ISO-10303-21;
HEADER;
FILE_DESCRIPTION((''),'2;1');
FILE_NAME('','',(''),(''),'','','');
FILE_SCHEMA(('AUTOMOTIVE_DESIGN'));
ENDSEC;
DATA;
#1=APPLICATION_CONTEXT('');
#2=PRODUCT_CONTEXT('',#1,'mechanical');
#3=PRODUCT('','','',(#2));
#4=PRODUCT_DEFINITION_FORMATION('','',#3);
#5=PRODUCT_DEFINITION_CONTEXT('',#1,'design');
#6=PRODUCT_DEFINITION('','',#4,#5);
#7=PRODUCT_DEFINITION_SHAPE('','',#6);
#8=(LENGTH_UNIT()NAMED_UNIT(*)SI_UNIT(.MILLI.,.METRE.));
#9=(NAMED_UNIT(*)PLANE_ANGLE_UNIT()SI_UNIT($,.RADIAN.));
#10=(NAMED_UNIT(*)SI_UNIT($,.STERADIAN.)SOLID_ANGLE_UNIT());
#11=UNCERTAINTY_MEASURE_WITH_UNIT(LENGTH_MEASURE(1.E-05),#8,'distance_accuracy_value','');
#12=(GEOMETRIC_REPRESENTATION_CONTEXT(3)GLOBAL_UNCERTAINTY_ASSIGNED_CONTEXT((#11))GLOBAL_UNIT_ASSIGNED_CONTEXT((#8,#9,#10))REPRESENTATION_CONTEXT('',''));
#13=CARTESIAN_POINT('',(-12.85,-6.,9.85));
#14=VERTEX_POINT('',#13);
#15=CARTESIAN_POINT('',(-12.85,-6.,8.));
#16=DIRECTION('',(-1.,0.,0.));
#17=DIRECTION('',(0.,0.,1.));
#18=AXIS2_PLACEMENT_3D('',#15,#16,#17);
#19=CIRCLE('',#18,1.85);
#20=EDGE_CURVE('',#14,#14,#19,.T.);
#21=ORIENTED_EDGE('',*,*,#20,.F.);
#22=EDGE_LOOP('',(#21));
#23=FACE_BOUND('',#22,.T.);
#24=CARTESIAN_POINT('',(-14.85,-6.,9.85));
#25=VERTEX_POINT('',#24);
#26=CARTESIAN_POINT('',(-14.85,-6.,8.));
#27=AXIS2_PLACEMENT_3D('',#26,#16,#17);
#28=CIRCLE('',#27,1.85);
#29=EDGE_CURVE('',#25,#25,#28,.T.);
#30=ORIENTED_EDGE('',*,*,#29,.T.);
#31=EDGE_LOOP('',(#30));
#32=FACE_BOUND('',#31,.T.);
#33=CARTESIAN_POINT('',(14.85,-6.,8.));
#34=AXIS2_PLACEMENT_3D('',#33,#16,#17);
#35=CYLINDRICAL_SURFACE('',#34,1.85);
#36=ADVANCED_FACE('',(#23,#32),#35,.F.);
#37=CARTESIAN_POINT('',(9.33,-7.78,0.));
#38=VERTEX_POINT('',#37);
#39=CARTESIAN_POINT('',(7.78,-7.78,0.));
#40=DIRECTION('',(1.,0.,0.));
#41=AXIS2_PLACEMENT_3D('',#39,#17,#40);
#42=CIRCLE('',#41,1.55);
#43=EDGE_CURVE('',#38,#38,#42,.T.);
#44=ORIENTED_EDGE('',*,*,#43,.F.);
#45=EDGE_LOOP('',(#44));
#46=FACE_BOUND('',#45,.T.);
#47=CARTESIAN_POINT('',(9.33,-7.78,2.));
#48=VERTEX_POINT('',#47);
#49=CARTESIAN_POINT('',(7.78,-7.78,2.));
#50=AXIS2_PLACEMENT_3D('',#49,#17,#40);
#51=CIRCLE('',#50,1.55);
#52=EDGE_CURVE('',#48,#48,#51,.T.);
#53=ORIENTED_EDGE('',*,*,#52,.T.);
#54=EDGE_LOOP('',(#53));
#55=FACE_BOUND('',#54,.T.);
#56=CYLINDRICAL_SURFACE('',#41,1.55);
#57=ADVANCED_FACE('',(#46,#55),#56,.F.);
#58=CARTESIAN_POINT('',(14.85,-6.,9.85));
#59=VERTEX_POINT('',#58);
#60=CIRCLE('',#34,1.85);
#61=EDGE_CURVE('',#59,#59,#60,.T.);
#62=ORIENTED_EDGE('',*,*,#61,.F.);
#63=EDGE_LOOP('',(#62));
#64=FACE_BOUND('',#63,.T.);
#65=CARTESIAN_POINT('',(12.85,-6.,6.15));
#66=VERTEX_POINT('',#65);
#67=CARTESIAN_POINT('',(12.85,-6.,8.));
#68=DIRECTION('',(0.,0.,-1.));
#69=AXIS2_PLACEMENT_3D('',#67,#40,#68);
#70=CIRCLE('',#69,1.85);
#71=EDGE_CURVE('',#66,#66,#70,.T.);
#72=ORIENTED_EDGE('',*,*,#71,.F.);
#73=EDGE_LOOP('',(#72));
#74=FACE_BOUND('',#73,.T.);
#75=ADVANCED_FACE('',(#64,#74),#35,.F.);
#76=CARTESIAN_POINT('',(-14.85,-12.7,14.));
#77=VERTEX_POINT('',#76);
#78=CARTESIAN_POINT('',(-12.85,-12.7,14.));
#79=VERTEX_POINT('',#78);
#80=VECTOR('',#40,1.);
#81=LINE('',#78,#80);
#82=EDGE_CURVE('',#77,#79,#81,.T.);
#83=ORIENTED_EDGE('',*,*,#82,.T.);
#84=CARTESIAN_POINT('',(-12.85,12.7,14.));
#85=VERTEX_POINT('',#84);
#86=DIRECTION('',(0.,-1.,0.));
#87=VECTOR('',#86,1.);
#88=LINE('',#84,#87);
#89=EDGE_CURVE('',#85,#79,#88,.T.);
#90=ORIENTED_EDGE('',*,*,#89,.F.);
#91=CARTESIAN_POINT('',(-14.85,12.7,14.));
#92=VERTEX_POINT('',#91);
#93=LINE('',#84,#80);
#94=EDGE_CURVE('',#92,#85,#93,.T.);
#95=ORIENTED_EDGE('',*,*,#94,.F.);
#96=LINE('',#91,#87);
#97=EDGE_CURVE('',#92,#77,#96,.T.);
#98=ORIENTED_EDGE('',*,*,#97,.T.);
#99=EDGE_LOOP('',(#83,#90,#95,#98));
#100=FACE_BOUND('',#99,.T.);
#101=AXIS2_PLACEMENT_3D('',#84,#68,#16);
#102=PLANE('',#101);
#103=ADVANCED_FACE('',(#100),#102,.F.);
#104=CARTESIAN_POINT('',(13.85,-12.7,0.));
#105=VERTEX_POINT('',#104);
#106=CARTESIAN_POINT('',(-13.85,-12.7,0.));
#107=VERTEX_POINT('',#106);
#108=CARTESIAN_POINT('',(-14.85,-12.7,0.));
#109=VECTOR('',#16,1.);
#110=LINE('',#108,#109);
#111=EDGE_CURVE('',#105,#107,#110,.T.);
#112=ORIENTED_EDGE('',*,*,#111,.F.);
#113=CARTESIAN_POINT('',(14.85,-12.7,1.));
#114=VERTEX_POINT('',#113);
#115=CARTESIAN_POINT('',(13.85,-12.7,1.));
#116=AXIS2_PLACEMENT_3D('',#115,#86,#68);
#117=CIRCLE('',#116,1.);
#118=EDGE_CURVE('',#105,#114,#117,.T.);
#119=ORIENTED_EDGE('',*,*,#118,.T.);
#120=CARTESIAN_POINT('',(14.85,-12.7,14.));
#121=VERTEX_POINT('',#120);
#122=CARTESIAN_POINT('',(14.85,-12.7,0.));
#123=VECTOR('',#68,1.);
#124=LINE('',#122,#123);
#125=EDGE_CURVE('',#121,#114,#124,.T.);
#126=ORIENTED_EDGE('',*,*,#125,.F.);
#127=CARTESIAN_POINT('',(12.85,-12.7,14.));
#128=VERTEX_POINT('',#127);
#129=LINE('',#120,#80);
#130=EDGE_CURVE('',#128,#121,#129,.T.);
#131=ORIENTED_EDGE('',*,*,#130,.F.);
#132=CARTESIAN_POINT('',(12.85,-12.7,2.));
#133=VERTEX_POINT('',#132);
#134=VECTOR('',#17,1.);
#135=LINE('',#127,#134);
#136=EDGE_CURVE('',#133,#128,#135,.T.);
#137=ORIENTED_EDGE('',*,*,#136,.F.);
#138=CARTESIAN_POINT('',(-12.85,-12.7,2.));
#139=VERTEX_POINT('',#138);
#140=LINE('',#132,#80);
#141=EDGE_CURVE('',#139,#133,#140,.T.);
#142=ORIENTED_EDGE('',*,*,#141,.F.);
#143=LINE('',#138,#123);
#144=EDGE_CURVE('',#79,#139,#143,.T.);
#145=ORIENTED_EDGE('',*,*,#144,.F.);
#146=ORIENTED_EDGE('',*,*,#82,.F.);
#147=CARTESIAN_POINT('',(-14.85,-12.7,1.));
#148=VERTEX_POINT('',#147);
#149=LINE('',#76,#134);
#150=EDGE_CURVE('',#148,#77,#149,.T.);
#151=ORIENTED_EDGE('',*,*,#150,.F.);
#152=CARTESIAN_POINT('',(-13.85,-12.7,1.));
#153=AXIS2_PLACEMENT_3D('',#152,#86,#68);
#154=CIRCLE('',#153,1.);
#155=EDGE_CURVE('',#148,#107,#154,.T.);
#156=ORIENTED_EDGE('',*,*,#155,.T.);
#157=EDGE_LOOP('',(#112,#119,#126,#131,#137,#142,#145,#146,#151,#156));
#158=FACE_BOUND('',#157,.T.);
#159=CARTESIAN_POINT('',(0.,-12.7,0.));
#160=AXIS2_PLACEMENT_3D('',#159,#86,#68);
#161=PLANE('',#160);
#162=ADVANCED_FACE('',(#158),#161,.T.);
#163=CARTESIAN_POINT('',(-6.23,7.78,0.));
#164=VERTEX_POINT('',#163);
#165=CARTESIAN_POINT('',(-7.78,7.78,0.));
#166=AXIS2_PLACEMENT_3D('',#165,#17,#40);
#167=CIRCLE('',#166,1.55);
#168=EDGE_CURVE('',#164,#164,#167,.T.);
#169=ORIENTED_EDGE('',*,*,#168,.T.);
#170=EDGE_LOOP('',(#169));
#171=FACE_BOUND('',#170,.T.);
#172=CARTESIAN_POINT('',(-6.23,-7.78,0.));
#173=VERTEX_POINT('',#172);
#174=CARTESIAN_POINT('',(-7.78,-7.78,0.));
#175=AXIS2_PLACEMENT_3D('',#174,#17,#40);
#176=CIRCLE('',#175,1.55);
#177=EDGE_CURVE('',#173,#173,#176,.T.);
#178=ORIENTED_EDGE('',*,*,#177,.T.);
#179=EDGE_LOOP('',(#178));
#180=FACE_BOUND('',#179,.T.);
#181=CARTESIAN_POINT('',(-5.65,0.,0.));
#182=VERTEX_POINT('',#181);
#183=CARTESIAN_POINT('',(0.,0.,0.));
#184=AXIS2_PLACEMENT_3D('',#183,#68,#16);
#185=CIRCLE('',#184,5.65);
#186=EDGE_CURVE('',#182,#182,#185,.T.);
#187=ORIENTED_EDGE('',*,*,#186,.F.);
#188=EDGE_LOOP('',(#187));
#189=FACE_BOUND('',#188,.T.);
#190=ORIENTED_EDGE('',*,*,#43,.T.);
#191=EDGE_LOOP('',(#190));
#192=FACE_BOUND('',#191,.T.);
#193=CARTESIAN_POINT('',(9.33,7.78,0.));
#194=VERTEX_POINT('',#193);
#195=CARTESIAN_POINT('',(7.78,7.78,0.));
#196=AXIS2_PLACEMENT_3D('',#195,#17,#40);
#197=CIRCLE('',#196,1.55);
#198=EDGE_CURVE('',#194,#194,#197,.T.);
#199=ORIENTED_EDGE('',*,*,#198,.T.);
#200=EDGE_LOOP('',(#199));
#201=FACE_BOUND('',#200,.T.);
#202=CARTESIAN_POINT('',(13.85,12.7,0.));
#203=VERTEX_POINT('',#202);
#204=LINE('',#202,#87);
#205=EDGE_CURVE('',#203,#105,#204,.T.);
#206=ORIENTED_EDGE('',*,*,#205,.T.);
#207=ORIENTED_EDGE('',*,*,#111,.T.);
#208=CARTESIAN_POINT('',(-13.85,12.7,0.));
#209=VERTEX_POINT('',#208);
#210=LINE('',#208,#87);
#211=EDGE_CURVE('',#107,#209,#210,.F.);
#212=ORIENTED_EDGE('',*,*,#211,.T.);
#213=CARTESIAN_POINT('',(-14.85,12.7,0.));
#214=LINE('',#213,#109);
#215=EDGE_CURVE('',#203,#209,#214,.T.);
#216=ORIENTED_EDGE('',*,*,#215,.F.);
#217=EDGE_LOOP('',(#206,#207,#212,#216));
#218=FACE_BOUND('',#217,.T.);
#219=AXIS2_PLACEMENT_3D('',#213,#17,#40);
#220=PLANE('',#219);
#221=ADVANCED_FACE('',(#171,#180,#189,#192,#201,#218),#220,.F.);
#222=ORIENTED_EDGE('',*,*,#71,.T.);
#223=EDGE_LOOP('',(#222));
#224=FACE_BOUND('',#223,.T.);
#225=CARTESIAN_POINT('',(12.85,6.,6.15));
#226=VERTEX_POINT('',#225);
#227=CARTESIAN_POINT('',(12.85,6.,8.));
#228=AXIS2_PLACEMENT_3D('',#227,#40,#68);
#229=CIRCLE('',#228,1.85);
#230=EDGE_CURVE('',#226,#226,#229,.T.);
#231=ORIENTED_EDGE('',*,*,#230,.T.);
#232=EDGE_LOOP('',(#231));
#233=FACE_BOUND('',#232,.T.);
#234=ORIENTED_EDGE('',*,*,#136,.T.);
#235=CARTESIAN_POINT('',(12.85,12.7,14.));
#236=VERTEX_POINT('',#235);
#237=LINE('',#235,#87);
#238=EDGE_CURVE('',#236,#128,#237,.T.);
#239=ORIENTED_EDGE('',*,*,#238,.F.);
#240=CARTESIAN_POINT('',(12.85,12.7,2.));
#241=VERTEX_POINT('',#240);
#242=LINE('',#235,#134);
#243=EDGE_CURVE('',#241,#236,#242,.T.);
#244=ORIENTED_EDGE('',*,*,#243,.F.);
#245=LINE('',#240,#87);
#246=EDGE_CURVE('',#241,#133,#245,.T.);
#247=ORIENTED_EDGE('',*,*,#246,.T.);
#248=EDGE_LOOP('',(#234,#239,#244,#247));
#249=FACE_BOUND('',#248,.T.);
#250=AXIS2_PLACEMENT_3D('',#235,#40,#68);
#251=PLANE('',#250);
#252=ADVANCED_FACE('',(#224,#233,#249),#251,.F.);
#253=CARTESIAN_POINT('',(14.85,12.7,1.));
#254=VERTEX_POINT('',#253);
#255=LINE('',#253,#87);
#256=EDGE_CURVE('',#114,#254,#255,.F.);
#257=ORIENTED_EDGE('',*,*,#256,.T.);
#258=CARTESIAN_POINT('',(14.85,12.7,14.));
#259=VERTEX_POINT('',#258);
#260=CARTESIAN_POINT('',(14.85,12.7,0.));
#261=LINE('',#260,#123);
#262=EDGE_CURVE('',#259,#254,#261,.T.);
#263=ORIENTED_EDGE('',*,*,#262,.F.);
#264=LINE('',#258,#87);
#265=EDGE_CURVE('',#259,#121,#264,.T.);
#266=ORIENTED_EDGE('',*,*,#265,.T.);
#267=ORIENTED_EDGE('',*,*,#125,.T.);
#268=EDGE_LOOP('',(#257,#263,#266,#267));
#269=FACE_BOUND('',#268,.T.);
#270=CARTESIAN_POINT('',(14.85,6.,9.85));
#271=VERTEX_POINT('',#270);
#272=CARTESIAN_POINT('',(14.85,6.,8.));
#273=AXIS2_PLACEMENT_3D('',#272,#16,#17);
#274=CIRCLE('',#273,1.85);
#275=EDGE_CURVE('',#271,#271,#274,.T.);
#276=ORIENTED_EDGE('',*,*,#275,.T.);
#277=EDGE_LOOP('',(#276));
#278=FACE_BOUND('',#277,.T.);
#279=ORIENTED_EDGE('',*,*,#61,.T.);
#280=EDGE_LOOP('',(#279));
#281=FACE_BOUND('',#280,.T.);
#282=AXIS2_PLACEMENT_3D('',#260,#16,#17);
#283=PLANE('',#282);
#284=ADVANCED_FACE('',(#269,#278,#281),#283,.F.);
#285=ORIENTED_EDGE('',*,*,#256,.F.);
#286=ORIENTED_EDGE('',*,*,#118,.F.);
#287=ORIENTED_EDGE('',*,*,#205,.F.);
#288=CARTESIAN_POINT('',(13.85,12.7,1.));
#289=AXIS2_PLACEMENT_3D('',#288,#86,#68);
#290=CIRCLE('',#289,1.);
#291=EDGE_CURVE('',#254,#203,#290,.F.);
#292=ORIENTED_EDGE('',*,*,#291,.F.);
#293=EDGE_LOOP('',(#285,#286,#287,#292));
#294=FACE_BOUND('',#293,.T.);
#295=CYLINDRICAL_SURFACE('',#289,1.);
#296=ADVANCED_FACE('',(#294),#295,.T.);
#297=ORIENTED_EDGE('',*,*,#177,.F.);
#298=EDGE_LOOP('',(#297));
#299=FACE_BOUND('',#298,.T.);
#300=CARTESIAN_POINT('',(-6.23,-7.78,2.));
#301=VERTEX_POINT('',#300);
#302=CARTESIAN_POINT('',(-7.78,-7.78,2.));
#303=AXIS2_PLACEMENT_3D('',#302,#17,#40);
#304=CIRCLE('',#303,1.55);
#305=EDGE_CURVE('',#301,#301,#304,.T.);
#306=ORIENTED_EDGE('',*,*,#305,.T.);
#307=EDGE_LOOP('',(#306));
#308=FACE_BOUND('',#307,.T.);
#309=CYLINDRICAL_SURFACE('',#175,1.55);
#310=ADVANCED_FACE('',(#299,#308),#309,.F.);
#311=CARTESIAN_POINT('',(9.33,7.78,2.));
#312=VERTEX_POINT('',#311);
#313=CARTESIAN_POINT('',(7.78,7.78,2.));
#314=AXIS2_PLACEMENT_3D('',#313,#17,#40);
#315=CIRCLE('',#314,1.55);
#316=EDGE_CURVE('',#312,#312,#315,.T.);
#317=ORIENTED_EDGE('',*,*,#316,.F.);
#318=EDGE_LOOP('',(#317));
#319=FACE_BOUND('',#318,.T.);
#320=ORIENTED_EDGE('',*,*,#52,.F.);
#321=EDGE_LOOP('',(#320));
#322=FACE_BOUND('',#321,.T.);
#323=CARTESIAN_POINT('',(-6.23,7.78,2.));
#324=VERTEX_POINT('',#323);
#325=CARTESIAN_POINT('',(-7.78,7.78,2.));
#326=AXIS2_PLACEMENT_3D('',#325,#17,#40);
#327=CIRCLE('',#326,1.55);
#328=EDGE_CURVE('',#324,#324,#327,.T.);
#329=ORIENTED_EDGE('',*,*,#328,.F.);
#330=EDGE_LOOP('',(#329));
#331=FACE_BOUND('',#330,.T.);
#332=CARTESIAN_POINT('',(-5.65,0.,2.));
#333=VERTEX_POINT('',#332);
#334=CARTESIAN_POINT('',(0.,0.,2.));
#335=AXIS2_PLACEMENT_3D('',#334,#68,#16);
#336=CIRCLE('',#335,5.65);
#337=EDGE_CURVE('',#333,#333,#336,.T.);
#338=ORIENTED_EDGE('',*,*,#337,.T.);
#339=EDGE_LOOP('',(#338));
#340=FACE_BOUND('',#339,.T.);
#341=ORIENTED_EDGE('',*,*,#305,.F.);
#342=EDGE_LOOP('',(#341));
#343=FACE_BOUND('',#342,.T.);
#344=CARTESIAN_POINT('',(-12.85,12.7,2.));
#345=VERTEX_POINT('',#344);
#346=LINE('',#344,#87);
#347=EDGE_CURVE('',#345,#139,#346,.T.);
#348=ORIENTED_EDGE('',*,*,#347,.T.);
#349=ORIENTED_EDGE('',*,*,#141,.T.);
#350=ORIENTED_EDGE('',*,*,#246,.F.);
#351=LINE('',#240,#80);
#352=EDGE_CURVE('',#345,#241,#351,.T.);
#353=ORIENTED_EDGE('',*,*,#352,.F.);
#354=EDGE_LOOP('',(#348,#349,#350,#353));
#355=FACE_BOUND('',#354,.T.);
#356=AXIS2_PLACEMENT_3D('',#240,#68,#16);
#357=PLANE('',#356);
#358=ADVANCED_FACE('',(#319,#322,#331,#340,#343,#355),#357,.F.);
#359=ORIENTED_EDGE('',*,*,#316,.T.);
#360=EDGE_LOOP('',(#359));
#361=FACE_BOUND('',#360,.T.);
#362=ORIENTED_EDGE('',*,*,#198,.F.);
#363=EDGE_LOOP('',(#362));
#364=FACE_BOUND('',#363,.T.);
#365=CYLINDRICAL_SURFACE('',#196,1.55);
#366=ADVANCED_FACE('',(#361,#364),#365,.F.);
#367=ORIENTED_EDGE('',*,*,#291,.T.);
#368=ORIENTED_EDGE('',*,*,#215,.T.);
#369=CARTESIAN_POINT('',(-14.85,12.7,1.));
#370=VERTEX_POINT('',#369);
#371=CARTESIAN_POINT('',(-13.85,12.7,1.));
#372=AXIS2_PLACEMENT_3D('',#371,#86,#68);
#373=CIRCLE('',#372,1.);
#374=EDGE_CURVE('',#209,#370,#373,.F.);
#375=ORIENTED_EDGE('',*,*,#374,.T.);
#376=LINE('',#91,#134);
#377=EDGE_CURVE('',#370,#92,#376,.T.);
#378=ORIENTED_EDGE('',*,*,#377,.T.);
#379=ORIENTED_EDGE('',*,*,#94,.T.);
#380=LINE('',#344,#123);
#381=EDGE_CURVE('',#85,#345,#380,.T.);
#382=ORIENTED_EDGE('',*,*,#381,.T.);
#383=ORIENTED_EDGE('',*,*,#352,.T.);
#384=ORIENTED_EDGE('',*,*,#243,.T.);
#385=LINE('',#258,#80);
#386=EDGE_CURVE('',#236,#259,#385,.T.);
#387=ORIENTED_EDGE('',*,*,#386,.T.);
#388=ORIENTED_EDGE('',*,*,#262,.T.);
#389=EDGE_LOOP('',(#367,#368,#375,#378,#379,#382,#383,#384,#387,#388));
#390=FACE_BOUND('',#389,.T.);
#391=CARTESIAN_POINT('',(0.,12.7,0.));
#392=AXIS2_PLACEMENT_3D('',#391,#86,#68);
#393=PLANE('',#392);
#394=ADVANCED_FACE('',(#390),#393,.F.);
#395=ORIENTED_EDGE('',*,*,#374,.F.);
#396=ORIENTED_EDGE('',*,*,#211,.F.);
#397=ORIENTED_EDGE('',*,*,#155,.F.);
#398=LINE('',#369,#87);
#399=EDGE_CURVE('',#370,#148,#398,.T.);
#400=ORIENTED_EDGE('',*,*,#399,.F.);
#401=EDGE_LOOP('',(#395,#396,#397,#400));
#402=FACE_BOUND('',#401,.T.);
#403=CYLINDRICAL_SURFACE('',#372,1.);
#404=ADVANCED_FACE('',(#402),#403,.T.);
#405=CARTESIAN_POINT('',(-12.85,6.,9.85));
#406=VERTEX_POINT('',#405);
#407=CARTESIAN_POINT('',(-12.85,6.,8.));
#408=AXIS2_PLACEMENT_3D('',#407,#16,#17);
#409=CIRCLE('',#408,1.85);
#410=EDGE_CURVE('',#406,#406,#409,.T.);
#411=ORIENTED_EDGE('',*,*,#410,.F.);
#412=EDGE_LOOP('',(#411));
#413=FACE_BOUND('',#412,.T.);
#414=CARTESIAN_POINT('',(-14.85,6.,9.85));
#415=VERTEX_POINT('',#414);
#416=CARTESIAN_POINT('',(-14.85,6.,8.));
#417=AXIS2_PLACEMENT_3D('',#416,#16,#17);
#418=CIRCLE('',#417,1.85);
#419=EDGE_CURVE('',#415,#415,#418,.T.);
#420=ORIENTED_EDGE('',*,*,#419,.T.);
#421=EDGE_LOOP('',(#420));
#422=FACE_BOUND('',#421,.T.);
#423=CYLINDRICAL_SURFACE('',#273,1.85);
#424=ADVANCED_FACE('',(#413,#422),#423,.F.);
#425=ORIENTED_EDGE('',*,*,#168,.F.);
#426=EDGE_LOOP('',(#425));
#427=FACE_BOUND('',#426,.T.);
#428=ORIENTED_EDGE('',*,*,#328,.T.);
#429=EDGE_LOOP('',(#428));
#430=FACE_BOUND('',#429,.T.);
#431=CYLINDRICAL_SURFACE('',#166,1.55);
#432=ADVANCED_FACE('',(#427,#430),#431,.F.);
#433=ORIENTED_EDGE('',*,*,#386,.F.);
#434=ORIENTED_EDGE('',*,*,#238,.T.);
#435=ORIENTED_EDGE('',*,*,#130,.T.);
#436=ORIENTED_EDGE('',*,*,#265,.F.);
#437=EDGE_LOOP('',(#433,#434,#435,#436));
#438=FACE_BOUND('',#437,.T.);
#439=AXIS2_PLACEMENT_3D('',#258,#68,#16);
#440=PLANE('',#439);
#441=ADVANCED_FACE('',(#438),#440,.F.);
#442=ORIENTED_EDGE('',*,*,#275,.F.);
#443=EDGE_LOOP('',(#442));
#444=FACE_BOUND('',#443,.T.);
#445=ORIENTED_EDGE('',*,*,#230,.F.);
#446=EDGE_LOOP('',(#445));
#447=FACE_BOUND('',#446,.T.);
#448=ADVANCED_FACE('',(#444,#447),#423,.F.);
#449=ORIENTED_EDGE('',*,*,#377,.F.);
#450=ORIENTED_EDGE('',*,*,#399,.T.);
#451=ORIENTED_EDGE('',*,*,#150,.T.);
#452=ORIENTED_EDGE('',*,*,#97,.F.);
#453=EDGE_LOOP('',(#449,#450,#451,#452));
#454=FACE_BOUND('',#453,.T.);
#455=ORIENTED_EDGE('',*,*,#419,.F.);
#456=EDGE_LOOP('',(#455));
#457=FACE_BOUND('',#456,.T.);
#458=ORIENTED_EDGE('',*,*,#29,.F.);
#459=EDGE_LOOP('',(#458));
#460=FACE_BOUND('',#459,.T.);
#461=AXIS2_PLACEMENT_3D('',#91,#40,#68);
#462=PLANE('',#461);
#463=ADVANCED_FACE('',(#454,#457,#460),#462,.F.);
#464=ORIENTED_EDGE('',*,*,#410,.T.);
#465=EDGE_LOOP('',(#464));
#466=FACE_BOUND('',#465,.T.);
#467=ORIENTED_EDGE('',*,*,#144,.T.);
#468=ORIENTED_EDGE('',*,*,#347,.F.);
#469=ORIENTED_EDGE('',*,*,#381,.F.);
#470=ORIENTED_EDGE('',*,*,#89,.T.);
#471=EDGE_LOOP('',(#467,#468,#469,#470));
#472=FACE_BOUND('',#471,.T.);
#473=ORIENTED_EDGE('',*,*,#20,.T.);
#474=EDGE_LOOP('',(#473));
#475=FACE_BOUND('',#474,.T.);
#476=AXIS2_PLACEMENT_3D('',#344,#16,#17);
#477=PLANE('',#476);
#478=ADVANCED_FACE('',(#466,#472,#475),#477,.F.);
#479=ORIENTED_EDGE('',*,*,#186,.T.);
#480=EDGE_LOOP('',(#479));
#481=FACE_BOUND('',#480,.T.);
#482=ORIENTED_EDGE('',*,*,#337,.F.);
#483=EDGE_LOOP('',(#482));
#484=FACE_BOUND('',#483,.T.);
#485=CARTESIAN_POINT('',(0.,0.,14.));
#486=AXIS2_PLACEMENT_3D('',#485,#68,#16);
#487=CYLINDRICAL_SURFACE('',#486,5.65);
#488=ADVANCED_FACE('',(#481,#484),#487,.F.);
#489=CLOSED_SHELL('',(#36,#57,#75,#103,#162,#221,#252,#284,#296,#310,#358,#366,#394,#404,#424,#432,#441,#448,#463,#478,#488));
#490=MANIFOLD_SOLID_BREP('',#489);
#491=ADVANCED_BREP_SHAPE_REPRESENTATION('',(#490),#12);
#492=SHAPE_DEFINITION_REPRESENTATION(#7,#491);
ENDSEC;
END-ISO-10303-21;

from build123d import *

# Parameters (mm, degrees)
BOSS_EXTRUDE1_DEPTH = 12.7
SKETCH2_R           = 1.85
CUT_EXTRUDE1_DEPTH  = 30.7
SKETCH3_R           = 5.65
CUT_EXTRUDE2_DEPTH  = 15
SKETCH4_R           = 1.55
CUT_EXTRUDE3_DEPTH  = 3
FILLET1_R           = 1


with BuildPart() as part:
    # Sketch1 → Boss-Extrude1 (new body, symmetric)
    with BuildSketch(Plane(origin=(0, 0, 0), x_dir=(1, 0, 0), z_dir=(0, 1, 0))):
        Polygon((-14.85, 0), (14.85, 0), (14.85, -14), (12.85, -14), (12.85, -2), (-12.85, -2), (-12.85, -14), (-14.85, -14), align=None)
    extrude(amount=BOSS_EXTRUDE1_DEPTH, both=True)

    # Sketch2 → Cut-Extrude1 (cut, through all)
    with BuildSketch(Plane.ZY.offset(14.85)):
        with Locations((8, -6)):
            Circle(SKETCH2_R)
        with Locations((8, 6)):
            Circle(SKETCH2_R)
    extrude(amount=-CUT_EXTRUDE1_DEPTH, mode=Mode.SUBTRACT)

    # Sketch3 → Cut-Extrude2 (cut, through all)
    with BuildSketch(Plane(origin=(0, 0, 0), x_dir=(-1, 0, 0), z_dir=(0, 0, -1))):
        Circle(SKETCH3_R)
    extrude(amount=-CUT_EXTRUDE2_DEPTH, mode=Mode.SUBTRACT)

    # Sketch4 → Cut-Extrude3 (cut, through all)
    with BuildSketch(Plane.XY.offset(2)):
        with Locations((-7.78, 7.78)):
            Circle(SKETCH4_R)
        with Locations((-7.78, -7.78)):
            Circle(SKETCH4_R)
        with Locations((7.78, -7.78)):
            Circle(SKETCH4_R)
        with Locations((7.78, 7.78)):
            Circle(SKETCH4_R)
    extrude(amount=-CUT_EXTRUDE3_DEPTH, mode=Mode.SUBTRACT)

    # Fillet1
    fillet1_edges = [part.edges().sort_by_distance(p)[0] for p in [
        (-14.85, 0, 0),
        (14.85, 0, 0),
    ]]
    fillet(fillet1_edges, radius=FILLET1_R)


solid = part.part
